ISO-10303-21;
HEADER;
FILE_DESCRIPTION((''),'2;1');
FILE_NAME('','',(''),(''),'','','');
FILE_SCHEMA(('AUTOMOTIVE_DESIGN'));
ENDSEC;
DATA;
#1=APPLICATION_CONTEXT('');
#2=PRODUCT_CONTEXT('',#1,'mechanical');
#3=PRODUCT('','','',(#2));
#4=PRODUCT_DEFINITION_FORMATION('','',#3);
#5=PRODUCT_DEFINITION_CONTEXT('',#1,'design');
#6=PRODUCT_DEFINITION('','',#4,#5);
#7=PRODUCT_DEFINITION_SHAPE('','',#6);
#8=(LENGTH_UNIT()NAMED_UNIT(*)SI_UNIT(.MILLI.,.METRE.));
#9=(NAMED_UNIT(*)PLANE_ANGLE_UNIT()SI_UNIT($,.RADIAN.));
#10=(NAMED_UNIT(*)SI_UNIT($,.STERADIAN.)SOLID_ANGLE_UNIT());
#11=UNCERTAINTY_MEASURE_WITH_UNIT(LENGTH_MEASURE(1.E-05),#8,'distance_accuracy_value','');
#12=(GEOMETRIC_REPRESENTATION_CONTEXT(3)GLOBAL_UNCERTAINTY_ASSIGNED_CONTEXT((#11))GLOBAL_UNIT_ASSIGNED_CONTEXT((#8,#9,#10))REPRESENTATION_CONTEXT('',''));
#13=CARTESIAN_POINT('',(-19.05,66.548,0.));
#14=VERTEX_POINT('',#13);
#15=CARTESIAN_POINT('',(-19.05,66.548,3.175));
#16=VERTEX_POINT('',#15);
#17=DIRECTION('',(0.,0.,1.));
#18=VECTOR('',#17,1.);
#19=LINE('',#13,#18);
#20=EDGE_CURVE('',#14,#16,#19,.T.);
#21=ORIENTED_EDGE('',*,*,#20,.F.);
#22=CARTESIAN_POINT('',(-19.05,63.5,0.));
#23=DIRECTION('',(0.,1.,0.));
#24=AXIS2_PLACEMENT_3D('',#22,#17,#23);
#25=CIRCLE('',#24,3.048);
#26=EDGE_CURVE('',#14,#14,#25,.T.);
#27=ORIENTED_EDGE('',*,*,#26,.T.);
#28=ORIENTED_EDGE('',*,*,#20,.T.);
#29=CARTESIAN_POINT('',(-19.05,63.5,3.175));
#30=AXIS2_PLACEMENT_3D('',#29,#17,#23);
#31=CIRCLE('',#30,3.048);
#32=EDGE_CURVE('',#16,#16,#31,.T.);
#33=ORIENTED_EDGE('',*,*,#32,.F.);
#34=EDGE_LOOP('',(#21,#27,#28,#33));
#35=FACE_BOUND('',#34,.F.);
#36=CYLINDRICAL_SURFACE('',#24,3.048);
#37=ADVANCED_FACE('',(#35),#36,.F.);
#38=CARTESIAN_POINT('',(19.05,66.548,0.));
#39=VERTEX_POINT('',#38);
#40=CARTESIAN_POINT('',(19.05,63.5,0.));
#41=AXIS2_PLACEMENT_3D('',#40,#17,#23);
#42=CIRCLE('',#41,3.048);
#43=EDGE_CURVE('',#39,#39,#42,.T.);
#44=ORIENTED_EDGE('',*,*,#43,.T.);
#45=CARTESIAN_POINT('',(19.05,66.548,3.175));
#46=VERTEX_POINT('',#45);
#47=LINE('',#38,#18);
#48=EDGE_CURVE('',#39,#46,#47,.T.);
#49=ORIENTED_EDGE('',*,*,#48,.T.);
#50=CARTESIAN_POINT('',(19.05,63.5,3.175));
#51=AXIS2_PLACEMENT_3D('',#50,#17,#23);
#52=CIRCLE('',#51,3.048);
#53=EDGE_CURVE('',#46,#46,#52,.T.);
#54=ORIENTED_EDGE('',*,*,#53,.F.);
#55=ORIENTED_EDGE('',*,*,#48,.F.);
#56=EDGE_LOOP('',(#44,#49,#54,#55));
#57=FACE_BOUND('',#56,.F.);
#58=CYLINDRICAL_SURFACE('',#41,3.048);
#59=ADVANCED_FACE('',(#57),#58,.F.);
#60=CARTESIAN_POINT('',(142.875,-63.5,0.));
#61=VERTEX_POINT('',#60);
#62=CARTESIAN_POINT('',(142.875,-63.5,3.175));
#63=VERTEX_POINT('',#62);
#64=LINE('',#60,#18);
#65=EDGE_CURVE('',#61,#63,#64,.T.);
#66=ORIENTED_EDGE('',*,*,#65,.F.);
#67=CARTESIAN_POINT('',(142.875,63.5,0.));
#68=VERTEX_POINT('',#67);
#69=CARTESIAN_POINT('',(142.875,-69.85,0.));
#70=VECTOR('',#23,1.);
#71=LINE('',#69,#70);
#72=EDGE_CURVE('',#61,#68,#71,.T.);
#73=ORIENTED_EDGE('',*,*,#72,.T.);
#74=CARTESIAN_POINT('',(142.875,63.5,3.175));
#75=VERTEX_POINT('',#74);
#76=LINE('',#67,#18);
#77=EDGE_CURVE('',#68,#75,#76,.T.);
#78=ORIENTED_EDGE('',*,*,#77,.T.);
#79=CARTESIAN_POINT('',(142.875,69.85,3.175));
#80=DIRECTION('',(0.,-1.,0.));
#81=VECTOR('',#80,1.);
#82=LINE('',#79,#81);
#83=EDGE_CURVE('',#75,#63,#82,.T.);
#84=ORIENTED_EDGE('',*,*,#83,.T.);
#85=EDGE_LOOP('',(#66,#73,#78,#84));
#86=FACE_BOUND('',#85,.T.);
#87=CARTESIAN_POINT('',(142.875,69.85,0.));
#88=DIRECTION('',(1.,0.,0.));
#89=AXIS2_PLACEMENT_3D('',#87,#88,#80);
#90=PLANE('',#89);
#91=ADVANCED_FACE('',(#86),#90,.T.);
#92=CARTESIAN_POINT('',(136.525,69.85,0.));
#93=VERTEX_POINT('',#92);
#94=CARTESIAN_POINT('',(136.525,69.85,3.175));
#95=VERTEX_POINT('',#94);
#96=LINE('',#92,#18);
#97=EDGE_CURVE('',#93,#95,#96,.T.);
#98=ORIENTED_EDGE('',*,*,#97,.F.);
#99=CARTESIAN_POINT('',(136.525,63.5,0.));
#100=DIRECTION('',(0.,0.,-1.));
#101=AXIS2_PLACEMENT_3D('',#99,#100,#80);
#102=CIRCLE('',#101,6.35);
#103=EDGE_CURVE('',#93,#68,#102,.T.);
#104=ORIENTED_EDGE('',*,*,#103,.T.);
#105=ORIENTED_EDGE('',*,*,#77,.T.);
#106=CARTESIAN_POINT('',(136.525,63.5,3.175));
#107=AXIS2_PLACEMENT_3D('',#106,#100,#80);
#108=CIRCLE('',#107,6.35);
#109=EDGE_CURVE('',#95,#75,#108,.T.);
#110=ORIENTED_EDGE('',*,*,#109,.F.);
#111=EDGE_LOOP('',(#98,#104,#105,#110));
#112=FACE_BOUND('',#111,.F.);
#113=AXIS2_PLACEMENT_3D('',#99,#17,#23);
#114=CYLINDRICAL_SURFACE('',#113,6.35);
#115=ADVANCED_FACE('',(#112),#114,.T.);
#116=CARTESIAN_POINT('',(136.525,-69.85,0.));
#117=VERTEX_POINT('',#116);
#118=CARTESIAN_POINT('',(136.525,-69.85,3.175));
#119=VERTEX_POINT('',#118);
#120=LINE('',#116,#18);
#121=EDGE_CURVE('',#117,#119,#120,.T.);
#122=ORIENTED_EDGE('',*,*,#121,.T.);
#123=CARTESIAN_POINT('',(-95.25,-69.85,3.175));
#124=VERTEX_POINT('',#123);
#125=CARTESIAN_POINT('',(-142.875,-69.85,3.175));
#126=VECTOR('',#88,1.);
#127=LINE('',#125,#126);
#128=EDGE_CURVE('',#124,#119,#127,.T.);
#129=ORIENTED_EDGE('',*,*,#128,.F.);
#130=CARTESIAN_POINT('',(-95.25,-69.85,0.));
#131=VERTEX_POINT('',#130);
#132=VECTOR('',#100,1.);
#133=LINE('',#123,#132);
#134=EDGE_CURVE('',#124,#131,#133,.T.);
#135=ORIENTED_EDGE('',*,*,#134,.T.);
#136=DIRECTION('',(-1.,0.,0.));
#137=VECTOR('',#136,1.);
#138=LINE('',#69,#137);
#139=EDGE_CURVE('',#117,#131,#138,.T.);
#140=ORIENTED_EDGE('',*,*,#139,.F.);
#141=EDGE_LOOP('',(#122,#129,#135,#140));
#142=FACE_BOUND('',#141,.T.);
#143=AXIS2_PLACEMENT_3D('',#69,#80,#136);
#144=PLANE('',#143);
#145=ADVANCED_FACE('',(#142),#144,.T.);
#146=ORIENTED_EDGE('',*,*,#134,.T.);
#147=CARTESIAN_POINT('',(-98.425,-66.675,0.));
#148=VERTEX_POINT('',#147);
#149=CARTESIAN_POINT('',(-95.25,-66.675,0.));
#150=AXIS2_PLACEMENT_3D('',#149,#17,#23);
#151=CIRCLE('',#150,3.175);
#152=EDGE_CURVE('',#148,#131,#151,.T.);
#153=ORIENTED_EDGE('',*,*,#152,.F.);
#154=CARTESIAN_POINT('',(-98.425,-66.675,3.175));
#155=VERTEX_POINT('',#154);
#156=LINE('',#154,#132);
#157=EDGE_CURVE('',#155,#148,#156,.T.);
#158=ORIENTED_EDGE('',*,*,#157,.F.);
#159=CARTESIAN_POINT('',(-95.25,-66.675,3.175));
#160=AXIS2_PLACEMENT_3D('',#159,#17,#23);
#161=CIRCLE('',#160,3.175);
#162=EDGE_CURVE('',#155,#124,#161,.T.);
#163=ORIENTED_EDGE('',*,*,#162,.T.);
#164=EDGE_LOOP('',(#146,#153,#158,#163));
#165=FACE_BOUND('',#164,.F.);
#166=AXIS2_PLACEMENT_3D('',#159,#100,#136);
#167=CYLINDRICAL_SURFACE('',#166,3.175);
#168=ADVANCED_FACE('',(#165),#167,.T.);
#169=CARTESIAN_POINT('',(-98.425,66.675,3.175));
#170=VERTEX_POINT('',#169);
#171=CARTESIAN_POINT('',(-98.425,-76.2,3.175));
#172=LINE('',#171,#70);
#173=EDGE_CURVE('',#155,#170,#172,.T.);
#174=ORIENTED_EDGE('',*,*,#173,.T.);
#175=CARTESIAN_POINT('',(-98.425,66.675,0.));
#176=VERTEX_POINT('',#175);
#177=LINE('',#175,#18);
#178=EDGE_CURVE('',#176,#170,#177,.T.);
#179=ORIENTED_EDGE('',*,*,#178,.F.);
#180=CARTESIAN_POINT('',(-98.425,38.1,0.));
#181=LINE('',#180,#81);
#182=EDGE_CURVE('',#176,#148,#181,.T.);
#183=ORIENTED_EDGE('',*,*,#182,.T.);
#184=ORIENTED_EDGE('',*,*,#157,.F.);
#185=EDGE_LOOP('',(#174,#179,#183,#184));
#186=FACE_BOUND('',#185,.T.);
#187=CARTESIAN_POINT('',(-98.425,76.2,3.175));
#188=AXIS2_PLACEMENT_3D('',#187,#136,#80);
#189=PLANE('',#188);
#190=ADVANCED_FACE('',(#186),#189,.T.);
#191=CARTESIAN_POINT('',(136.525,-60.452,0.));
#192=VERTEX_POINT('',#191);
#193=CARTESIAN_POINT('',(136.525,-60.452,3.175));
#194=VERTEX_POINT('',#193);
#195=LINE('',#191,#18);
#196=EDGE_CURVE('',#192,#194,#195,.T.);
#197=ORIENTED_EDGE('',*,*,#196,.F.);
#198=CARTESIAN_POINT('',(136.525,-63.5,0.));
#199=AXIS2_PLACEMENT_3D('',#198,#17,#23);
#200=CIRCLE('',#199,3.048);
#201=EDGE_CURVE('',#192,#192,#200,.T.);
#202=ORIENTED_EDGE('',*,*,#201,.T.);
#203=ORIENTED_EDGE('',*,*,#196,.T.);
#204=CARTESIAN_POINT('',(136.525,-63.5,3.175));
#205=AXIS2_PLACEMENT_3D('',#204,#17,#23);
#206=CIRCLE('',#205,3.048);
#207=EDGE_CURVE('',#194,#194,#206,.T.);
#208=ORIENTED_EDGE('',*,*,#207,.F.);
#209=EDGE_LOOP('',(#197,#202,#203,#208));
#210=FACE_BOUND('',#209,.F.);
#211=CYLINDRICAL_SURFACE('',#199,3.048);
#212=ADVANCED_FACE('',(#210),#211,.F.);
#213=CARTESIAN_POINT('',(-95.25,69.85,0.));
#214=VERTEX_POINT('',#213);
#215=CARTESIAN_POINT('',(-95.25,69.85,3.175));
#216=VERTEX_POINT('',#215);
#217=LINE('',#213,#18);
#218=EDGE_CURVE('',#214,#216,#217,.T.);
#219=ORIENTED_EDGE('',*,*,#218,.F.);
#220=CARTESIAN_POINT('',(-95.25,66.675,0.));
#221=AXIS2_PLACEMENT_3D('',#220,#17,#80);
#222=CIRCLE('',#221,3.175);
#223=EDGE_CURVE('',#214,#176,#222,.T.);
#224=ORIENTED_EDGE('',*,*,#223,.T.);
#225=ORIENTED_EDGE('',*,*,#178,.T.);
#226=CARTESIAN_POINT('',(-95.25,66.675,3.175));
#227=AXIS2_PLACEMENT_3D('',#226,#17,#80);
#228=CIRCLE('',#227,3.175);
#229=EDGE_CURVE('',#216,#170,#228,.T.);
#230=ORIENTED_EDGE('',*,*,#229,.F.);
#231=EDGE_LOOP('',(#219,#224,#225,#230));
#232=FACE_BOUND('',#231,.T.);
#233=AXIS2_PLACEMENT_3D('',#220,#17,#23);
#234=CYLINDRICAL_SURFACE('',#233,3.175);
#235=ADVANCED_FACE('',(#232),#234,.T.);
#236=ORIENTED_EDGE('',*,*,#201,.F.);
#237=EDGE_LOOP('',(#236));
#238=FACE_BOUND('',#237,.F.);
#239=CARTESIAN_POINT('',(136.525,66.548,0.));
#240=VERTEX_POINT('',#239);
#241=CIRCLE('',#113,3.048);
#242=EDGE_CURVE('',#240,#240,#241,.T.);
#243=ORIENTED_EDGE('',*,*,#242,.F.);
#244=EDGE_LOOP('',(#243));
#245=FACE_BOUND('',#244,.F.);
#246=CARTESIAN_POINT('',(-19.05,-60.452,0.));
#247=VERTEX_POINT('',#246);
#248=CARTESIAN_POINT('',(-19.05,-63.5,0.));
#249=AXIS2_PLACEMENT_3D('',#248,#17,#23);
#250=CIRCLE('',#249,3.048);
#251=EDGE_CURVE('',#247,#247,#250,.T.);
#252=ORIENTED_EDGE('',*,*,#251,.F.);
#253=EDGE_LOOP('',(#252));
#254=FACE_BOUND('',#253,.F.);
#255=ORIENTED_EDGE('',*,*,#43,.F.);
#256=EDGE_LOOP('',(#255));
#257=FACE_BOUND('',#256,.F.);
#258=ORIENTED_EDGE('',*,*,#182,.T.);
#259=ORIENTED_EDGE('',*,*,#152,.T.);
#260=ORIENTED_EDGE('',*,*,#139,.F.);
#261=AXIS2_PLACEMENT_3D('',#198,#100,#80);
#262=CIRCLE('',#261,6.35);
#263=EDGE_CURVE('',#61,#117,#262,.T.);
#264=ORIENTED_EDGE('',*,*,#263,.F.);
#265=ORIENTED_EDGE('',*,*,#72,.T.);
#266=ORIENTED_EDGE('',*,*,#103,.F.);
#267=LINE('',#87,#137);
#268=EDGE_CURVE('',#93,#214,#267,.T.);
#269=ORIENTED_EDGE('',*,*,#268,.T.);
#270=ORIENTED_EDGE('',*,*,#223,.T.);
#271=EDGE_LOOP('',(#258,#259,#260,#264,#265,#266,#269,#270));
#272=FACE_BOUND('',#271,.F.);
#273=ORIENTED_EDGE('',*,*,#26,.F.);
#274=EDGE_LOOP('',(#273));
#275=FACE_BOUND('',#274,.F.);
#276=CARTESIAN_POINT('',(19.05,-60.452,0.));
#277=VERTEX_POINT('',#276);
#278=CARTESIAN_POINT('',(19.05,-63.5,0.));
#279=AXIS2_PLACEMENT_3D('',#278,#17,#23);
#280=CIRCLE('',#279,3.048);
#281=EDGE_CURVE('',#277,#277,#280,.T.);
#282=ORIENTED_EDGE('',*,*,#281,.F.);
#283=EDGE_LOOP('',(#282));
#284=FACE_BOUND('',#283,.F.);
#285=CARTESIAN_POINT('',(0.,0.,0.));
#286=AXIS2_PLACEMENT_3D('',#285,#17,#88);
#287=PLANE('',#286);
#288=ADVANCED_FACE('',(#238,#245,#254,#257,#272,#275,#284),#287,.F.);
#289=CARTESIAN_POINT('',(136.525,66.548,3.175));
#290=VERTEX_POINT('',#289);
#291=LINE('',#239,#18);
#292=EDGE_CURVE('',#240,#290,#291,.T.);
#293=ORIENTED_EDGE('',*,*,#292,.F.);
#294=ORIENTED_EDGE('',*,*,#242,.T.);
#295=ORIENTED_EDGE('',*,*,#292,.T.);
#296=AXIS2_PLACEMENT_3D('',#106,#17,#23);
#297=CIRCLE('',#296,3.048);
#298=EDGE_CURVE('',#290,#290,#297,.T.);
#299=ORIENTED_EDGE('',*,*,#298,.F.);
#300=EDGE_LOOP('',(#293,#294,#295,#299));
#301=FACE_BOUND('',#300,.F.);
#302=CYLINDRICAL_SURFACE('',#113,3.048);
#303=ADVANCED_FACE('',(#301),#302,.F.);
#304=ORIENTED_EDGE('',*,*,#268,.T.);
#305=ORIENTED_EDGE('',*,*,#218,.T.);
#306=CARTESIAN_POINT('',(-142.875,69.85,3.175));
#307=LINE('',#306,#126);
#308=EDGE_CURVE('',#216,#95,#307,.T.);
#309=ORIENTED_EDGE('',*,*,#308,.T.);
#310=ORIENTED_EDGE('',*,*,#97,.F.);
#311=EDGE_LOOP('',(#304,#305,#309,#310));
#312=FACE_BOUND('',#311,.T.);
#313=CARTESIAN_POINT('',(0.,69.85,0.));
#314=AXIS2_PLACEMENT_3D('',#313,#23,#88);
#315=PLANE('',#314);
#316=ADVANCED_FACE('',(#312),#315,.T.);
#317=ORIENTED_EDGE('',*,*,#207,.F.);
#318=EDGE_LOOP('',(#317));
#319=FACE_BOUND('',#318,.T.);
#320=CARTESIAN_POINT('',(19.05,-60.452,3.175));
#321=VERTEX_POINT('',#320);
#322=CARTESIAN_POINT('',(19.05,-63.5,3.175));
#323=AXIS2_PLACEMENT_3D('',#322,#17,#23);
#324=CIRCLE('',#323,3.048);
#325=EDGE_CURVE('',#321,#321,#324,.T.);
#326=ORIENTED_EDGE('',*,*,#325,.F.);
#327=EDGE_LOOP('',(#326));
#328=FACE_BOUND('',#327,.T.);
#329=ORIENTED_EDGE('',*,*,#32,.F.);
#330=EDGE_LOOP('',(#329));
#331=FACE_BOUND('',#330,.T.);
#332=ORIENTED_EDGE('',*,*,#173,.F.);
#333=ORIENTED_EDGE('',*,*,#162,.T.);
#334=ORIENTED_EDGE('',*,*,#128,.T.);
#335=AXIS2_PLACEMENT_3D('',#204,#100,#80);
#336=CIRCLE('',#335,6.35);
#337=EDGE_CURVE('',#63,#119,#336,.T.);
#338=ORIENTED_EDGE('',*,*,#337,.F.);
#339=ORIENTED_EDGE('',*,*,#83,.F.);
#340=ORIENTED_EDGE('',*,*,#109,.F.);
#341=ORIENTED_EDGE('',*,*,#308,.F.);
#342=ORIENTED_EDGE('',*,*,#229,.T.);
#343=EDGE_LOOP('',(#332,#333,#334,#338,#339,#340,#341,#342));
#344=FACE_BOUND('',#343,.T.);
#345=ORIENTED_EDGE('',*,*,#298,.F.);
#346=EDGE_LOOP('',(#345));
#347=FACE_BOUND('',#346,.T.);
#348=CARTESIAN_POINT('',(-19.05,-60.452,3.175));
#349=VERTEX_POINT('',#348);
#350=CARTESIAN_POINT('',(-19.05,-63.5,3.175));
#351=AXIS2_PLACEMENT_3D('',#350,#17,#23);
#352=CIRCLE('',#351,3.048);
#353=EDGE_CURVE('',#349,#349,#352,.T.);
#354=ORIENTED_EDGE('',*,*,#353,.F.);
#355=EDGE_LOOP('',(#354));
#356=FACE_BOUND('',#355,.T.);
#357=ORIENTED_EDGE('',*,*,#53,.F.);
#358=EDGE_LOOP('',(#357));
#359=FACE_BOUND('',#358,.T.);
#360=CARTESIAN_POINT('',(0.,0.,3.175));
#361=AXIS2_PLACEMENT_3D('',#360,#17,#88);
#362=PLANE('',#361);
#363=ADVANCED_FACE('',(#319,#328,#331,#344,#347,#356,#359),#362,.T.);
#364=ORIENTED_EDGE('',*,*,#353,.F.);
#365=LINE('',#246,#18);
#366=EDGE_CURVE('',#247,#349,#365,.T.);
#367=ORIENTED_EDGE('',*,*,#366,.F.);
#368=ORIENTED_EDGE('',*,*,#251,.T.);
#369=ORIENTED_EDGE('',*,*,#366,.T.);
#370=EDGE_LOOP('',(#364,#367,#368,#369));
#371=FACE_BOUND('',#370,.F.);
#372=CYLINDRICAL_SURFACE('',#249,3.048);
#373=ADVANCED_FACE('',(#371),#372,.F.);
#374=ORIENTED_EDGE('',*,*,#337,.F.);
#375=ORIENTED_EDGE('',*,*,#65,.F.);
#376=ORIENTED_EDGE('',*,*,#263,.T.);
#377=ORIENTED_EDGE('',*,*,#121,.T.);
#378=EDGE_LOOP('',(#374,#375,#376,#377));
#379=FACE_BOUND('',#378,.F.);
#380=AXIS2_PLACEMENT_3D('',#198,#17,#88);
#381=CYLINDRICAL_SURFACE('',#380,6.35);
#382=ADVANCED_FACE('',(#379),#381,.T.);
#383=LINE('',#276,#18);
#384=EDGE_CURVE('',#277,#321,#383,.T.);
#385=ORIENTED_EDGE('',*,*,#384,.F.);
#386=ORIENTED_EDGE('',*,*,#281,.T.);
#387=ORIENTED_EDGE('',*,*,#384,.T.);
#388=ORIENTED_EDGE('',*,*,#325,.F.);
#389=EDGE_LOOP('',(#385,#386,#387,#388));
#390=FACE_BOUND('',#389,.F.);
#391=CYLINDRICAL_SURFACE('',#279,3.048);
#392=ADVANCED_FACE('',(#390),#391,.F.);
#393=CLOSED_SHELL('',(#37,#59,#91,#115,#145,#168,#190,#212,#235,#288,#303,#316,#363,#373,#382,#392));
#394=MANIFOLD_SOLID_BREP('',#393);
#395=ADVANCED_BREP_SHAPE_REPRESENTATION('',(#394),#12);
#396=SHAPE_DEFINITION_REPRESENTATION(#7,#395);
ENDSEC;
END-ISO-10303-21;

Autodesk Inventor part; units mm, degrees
ref_plane "YZ Plane" through (0, 0, 0) normal (1, 0, 0) x (0, 1, 0)
ref_plane "XZ Plane" through (0, 0, 0) normal (0, 1, 0) x (-1, 0, 0)
ref_plane "XY Plane" through (0, 0, 0) normal (0, 0, 1) x (1, 0, 0)
sketch "Sketch1" plane through (0, 0, 0) normal (0, 0, 1) x (1, 0, 0)
  line L0 (0, 97.79) -> (0, -97.79) projected
  line L1 (-200.025, 0) -> (200.025, 0) projected
  line L2 (142.875, -69.85) -> (-142.875, -69.85)
  line L3 (-142.875, -69.85) -> (-142.875, 69.85)
  line L4 (-142.875, 69.85) -> (142.875, 69.85)
  line L5 (142.875, 69.85) -> (142.875, -69.85)
  line L6 (142.875, -69.85) -> (-142.875, 69.85) construction
  line L7 (-142.875, -69.85) -> (142.875, 69.85) construction
  line L8 (-136.525, -63.5) -> (136.525, -63.5) construction
  line L9 (136.525, -63.5) -> (136.525, 63.5) construction
  line L10 (136.525, 63.5) -> (-136.525, 63.5) construction
  line L11 (-136.525, 63.5) -> (-136.525, -63.5) construction
  line L12 (-136.525, -63.5) -> (136.525, 63.5) construction
  line L13 (136.525, -63.5) -> (-136.525, 63.5) construction
  line L14 (-100.965, -14.2875) -> (-114.935, -14.2875)
  line L15 (-114.935, -14.2875) -> (-114.935, 14.2875)
  line L16 (-114.935, 14.2875) -> (-100.965, 14.2875)
  line L17 (-100.965, 14.2875) -> (-100.965, -14.2875)
  line L18 (-100.965, -14.2875) -> (-114.935, 14.2875) construction
  line L19 (-114.935, -14.2875) -> (-100.965, 14.2875) construction
  circle A0 centre (44.45, 31.75) radius 10.795
  circle A1 centre (44.45, -31.75) radius 10.795
  circle A2 centre (95.25, 0) radius 11.303
  circle A3 centre (95.25, 0) radius 30 construction
  line L20 (-64.135, -14.2875) -> (-50.165, -14.2875)
  line L21 (-50.165, -14.2875) -> (-50.165, 14.2875)
  line L22 (-50.165, 14.2875) -> (-64.135, 14.2875)
  line L23 (-64.135, 14.2875) -> (-64.135, -14.2875)
  line L24 (-64.135, -14.2875) -> (-50.165, 14.2875) construction
  line L25 (-50.165, -14.2875) -> (-64.135, 14.2875) construction
  line L26 (7.9375, -6.985) -> (-20.6375, -6.985)
  line L27 (-20.6375, -6.985) -> (-20.6375, 6.985)
  line L28 (-20.6375, 6.985) -> (7.9375, 6.985)
  line L29 (7.9375, 6.985) -> (7.9375, -6.985)
  line L30 (7.9375, -6.985) -> (-20.6375, 6.985) construction
  line L31 (-20.6375, -6.985) -> (7.9375, 6.985) construction
  point P0 (0, 0)
  point P1 (-107.95, 0)
  point P2 (95.25, 14.732)
  point P3 (95.25, -14.732)
  point P4 (-19.05, 63.5)
  point P5 (-19.05, -63.5)
  point P6 (19.05, -63.5)
  point P7 (19.05, 63.5)
  point P8 (-57.15, 0)
  point P9 (-6.35, 0)
  dimension "d0" = 285.75
  dimension "d1" = 139.7
  dimension "d4" = 6.35
  dimension "d5" = 6.35
  dimension "d6" = 13.97
  dimension "d7" = 28.575
  dimension "d15" = 0
  dimension "d16" = 21.59
  dimension "d20" = 22.606
  dimension "d22" = 60
  dimension "d33" = 47.625
  dimension "d34" = 14.732
  dimension "d35" = 14.732
  dimension "d43" = 34.925
  dimension "d44" = 31.75
  dimension "d45" = 31.75
  dimension "d46" = 152.4
  dimension "d47" = 50.8
  dimension "d48" = 19.05
  dimension "d49" = 19.05
  dimension "d50" = 50.8
  dimension "d51" = 50.8
extrude "Extrusion1" add sketch "Sketch1" along normal blind 3.175 contours L4 L5 L1 A2 L29 L28 L0 | L0 L28 L27 L1 L21 L22 L23 L17 L16 L15 L3 L4 | L28 L29 L1 L0 | L0 L1 L27 L28 | L1 L29 L26 L0 | L0 L26 L27 L1 | L1 L15 L14 L17 L23 L20 L21 L27 L26 L0 L2 L3 | L5 L2 L0 L26 L29 L1 A2 | L15 L16 L17 L1 | L1 L17 L14 L15 | A2 L1 | L1 A2 | L21 L20 L23 L1 | L1 L23 L22 L21 | A0 | A1
hole "Hole1" at (-136.525, 63.5, 0) at (-136.525, -63.5, 0) at (136.525, 63.5, 0) at (136.525, -63.5, 0) at (19.05, -63.5, 0) at (-19.05, 63.5, 0) at (19.05, 63.5, 0) at (-19.05, -63.5, 0) direction (0, 0, 1) diameter 6.096 end through all
fillet "Fillet1" radius 6.35 4 edges at (142.875, -69.85, 1.5875) (142.875, 69.85, 1.5875) (-142.875, -69.85, 1.5875) (-142.875, 69.85, 1.5875)
hole "Hole2" [suppressed]
sketch "Sketch2" plane through (0, 0, 3.175) normal (0, 0, 1) x (1, 0, 0)
  line L0 (0, 97.79) -> (0, -97.79) projected
  line L1 (-200.025, 0) -> (200.025, 0) projected
  line L2 (-98.425, -76.2) -> (-142.875, -76.2)
  line L3 (-142.875, -76.2) -> (-142.875, 76.2)
  line L4 (-142.875, 76.2) -> (-98.425, 76.2)
  line L5 (-98.425, 76.2) -> (-98.425, -76.2)
  line L6 (-98.425, -76.2) -> (-142.875, 76.2) construction
  line L7 (-142.875, -76.2) -> (-98.425, 76.2) construction
  line L8 (-142.875, 63.5) -> (-142.875, -63.5) projected
  point P0 (0, 0)
  point P1 (-120.65, 0)
  dimension "d52" = 0
  dimension "d53" = 44.45
  dimension "d54" = 152.4
extrude "Extrusion2" cut sketch "Sketch2" against normal blind 25.4
fillet "Fillet2" radius 3.175 2 edges at (-98.425, 69.85, 1.5875) (-98.425, -69.85, 1.5875)
equation "\"d35\" = d34"
